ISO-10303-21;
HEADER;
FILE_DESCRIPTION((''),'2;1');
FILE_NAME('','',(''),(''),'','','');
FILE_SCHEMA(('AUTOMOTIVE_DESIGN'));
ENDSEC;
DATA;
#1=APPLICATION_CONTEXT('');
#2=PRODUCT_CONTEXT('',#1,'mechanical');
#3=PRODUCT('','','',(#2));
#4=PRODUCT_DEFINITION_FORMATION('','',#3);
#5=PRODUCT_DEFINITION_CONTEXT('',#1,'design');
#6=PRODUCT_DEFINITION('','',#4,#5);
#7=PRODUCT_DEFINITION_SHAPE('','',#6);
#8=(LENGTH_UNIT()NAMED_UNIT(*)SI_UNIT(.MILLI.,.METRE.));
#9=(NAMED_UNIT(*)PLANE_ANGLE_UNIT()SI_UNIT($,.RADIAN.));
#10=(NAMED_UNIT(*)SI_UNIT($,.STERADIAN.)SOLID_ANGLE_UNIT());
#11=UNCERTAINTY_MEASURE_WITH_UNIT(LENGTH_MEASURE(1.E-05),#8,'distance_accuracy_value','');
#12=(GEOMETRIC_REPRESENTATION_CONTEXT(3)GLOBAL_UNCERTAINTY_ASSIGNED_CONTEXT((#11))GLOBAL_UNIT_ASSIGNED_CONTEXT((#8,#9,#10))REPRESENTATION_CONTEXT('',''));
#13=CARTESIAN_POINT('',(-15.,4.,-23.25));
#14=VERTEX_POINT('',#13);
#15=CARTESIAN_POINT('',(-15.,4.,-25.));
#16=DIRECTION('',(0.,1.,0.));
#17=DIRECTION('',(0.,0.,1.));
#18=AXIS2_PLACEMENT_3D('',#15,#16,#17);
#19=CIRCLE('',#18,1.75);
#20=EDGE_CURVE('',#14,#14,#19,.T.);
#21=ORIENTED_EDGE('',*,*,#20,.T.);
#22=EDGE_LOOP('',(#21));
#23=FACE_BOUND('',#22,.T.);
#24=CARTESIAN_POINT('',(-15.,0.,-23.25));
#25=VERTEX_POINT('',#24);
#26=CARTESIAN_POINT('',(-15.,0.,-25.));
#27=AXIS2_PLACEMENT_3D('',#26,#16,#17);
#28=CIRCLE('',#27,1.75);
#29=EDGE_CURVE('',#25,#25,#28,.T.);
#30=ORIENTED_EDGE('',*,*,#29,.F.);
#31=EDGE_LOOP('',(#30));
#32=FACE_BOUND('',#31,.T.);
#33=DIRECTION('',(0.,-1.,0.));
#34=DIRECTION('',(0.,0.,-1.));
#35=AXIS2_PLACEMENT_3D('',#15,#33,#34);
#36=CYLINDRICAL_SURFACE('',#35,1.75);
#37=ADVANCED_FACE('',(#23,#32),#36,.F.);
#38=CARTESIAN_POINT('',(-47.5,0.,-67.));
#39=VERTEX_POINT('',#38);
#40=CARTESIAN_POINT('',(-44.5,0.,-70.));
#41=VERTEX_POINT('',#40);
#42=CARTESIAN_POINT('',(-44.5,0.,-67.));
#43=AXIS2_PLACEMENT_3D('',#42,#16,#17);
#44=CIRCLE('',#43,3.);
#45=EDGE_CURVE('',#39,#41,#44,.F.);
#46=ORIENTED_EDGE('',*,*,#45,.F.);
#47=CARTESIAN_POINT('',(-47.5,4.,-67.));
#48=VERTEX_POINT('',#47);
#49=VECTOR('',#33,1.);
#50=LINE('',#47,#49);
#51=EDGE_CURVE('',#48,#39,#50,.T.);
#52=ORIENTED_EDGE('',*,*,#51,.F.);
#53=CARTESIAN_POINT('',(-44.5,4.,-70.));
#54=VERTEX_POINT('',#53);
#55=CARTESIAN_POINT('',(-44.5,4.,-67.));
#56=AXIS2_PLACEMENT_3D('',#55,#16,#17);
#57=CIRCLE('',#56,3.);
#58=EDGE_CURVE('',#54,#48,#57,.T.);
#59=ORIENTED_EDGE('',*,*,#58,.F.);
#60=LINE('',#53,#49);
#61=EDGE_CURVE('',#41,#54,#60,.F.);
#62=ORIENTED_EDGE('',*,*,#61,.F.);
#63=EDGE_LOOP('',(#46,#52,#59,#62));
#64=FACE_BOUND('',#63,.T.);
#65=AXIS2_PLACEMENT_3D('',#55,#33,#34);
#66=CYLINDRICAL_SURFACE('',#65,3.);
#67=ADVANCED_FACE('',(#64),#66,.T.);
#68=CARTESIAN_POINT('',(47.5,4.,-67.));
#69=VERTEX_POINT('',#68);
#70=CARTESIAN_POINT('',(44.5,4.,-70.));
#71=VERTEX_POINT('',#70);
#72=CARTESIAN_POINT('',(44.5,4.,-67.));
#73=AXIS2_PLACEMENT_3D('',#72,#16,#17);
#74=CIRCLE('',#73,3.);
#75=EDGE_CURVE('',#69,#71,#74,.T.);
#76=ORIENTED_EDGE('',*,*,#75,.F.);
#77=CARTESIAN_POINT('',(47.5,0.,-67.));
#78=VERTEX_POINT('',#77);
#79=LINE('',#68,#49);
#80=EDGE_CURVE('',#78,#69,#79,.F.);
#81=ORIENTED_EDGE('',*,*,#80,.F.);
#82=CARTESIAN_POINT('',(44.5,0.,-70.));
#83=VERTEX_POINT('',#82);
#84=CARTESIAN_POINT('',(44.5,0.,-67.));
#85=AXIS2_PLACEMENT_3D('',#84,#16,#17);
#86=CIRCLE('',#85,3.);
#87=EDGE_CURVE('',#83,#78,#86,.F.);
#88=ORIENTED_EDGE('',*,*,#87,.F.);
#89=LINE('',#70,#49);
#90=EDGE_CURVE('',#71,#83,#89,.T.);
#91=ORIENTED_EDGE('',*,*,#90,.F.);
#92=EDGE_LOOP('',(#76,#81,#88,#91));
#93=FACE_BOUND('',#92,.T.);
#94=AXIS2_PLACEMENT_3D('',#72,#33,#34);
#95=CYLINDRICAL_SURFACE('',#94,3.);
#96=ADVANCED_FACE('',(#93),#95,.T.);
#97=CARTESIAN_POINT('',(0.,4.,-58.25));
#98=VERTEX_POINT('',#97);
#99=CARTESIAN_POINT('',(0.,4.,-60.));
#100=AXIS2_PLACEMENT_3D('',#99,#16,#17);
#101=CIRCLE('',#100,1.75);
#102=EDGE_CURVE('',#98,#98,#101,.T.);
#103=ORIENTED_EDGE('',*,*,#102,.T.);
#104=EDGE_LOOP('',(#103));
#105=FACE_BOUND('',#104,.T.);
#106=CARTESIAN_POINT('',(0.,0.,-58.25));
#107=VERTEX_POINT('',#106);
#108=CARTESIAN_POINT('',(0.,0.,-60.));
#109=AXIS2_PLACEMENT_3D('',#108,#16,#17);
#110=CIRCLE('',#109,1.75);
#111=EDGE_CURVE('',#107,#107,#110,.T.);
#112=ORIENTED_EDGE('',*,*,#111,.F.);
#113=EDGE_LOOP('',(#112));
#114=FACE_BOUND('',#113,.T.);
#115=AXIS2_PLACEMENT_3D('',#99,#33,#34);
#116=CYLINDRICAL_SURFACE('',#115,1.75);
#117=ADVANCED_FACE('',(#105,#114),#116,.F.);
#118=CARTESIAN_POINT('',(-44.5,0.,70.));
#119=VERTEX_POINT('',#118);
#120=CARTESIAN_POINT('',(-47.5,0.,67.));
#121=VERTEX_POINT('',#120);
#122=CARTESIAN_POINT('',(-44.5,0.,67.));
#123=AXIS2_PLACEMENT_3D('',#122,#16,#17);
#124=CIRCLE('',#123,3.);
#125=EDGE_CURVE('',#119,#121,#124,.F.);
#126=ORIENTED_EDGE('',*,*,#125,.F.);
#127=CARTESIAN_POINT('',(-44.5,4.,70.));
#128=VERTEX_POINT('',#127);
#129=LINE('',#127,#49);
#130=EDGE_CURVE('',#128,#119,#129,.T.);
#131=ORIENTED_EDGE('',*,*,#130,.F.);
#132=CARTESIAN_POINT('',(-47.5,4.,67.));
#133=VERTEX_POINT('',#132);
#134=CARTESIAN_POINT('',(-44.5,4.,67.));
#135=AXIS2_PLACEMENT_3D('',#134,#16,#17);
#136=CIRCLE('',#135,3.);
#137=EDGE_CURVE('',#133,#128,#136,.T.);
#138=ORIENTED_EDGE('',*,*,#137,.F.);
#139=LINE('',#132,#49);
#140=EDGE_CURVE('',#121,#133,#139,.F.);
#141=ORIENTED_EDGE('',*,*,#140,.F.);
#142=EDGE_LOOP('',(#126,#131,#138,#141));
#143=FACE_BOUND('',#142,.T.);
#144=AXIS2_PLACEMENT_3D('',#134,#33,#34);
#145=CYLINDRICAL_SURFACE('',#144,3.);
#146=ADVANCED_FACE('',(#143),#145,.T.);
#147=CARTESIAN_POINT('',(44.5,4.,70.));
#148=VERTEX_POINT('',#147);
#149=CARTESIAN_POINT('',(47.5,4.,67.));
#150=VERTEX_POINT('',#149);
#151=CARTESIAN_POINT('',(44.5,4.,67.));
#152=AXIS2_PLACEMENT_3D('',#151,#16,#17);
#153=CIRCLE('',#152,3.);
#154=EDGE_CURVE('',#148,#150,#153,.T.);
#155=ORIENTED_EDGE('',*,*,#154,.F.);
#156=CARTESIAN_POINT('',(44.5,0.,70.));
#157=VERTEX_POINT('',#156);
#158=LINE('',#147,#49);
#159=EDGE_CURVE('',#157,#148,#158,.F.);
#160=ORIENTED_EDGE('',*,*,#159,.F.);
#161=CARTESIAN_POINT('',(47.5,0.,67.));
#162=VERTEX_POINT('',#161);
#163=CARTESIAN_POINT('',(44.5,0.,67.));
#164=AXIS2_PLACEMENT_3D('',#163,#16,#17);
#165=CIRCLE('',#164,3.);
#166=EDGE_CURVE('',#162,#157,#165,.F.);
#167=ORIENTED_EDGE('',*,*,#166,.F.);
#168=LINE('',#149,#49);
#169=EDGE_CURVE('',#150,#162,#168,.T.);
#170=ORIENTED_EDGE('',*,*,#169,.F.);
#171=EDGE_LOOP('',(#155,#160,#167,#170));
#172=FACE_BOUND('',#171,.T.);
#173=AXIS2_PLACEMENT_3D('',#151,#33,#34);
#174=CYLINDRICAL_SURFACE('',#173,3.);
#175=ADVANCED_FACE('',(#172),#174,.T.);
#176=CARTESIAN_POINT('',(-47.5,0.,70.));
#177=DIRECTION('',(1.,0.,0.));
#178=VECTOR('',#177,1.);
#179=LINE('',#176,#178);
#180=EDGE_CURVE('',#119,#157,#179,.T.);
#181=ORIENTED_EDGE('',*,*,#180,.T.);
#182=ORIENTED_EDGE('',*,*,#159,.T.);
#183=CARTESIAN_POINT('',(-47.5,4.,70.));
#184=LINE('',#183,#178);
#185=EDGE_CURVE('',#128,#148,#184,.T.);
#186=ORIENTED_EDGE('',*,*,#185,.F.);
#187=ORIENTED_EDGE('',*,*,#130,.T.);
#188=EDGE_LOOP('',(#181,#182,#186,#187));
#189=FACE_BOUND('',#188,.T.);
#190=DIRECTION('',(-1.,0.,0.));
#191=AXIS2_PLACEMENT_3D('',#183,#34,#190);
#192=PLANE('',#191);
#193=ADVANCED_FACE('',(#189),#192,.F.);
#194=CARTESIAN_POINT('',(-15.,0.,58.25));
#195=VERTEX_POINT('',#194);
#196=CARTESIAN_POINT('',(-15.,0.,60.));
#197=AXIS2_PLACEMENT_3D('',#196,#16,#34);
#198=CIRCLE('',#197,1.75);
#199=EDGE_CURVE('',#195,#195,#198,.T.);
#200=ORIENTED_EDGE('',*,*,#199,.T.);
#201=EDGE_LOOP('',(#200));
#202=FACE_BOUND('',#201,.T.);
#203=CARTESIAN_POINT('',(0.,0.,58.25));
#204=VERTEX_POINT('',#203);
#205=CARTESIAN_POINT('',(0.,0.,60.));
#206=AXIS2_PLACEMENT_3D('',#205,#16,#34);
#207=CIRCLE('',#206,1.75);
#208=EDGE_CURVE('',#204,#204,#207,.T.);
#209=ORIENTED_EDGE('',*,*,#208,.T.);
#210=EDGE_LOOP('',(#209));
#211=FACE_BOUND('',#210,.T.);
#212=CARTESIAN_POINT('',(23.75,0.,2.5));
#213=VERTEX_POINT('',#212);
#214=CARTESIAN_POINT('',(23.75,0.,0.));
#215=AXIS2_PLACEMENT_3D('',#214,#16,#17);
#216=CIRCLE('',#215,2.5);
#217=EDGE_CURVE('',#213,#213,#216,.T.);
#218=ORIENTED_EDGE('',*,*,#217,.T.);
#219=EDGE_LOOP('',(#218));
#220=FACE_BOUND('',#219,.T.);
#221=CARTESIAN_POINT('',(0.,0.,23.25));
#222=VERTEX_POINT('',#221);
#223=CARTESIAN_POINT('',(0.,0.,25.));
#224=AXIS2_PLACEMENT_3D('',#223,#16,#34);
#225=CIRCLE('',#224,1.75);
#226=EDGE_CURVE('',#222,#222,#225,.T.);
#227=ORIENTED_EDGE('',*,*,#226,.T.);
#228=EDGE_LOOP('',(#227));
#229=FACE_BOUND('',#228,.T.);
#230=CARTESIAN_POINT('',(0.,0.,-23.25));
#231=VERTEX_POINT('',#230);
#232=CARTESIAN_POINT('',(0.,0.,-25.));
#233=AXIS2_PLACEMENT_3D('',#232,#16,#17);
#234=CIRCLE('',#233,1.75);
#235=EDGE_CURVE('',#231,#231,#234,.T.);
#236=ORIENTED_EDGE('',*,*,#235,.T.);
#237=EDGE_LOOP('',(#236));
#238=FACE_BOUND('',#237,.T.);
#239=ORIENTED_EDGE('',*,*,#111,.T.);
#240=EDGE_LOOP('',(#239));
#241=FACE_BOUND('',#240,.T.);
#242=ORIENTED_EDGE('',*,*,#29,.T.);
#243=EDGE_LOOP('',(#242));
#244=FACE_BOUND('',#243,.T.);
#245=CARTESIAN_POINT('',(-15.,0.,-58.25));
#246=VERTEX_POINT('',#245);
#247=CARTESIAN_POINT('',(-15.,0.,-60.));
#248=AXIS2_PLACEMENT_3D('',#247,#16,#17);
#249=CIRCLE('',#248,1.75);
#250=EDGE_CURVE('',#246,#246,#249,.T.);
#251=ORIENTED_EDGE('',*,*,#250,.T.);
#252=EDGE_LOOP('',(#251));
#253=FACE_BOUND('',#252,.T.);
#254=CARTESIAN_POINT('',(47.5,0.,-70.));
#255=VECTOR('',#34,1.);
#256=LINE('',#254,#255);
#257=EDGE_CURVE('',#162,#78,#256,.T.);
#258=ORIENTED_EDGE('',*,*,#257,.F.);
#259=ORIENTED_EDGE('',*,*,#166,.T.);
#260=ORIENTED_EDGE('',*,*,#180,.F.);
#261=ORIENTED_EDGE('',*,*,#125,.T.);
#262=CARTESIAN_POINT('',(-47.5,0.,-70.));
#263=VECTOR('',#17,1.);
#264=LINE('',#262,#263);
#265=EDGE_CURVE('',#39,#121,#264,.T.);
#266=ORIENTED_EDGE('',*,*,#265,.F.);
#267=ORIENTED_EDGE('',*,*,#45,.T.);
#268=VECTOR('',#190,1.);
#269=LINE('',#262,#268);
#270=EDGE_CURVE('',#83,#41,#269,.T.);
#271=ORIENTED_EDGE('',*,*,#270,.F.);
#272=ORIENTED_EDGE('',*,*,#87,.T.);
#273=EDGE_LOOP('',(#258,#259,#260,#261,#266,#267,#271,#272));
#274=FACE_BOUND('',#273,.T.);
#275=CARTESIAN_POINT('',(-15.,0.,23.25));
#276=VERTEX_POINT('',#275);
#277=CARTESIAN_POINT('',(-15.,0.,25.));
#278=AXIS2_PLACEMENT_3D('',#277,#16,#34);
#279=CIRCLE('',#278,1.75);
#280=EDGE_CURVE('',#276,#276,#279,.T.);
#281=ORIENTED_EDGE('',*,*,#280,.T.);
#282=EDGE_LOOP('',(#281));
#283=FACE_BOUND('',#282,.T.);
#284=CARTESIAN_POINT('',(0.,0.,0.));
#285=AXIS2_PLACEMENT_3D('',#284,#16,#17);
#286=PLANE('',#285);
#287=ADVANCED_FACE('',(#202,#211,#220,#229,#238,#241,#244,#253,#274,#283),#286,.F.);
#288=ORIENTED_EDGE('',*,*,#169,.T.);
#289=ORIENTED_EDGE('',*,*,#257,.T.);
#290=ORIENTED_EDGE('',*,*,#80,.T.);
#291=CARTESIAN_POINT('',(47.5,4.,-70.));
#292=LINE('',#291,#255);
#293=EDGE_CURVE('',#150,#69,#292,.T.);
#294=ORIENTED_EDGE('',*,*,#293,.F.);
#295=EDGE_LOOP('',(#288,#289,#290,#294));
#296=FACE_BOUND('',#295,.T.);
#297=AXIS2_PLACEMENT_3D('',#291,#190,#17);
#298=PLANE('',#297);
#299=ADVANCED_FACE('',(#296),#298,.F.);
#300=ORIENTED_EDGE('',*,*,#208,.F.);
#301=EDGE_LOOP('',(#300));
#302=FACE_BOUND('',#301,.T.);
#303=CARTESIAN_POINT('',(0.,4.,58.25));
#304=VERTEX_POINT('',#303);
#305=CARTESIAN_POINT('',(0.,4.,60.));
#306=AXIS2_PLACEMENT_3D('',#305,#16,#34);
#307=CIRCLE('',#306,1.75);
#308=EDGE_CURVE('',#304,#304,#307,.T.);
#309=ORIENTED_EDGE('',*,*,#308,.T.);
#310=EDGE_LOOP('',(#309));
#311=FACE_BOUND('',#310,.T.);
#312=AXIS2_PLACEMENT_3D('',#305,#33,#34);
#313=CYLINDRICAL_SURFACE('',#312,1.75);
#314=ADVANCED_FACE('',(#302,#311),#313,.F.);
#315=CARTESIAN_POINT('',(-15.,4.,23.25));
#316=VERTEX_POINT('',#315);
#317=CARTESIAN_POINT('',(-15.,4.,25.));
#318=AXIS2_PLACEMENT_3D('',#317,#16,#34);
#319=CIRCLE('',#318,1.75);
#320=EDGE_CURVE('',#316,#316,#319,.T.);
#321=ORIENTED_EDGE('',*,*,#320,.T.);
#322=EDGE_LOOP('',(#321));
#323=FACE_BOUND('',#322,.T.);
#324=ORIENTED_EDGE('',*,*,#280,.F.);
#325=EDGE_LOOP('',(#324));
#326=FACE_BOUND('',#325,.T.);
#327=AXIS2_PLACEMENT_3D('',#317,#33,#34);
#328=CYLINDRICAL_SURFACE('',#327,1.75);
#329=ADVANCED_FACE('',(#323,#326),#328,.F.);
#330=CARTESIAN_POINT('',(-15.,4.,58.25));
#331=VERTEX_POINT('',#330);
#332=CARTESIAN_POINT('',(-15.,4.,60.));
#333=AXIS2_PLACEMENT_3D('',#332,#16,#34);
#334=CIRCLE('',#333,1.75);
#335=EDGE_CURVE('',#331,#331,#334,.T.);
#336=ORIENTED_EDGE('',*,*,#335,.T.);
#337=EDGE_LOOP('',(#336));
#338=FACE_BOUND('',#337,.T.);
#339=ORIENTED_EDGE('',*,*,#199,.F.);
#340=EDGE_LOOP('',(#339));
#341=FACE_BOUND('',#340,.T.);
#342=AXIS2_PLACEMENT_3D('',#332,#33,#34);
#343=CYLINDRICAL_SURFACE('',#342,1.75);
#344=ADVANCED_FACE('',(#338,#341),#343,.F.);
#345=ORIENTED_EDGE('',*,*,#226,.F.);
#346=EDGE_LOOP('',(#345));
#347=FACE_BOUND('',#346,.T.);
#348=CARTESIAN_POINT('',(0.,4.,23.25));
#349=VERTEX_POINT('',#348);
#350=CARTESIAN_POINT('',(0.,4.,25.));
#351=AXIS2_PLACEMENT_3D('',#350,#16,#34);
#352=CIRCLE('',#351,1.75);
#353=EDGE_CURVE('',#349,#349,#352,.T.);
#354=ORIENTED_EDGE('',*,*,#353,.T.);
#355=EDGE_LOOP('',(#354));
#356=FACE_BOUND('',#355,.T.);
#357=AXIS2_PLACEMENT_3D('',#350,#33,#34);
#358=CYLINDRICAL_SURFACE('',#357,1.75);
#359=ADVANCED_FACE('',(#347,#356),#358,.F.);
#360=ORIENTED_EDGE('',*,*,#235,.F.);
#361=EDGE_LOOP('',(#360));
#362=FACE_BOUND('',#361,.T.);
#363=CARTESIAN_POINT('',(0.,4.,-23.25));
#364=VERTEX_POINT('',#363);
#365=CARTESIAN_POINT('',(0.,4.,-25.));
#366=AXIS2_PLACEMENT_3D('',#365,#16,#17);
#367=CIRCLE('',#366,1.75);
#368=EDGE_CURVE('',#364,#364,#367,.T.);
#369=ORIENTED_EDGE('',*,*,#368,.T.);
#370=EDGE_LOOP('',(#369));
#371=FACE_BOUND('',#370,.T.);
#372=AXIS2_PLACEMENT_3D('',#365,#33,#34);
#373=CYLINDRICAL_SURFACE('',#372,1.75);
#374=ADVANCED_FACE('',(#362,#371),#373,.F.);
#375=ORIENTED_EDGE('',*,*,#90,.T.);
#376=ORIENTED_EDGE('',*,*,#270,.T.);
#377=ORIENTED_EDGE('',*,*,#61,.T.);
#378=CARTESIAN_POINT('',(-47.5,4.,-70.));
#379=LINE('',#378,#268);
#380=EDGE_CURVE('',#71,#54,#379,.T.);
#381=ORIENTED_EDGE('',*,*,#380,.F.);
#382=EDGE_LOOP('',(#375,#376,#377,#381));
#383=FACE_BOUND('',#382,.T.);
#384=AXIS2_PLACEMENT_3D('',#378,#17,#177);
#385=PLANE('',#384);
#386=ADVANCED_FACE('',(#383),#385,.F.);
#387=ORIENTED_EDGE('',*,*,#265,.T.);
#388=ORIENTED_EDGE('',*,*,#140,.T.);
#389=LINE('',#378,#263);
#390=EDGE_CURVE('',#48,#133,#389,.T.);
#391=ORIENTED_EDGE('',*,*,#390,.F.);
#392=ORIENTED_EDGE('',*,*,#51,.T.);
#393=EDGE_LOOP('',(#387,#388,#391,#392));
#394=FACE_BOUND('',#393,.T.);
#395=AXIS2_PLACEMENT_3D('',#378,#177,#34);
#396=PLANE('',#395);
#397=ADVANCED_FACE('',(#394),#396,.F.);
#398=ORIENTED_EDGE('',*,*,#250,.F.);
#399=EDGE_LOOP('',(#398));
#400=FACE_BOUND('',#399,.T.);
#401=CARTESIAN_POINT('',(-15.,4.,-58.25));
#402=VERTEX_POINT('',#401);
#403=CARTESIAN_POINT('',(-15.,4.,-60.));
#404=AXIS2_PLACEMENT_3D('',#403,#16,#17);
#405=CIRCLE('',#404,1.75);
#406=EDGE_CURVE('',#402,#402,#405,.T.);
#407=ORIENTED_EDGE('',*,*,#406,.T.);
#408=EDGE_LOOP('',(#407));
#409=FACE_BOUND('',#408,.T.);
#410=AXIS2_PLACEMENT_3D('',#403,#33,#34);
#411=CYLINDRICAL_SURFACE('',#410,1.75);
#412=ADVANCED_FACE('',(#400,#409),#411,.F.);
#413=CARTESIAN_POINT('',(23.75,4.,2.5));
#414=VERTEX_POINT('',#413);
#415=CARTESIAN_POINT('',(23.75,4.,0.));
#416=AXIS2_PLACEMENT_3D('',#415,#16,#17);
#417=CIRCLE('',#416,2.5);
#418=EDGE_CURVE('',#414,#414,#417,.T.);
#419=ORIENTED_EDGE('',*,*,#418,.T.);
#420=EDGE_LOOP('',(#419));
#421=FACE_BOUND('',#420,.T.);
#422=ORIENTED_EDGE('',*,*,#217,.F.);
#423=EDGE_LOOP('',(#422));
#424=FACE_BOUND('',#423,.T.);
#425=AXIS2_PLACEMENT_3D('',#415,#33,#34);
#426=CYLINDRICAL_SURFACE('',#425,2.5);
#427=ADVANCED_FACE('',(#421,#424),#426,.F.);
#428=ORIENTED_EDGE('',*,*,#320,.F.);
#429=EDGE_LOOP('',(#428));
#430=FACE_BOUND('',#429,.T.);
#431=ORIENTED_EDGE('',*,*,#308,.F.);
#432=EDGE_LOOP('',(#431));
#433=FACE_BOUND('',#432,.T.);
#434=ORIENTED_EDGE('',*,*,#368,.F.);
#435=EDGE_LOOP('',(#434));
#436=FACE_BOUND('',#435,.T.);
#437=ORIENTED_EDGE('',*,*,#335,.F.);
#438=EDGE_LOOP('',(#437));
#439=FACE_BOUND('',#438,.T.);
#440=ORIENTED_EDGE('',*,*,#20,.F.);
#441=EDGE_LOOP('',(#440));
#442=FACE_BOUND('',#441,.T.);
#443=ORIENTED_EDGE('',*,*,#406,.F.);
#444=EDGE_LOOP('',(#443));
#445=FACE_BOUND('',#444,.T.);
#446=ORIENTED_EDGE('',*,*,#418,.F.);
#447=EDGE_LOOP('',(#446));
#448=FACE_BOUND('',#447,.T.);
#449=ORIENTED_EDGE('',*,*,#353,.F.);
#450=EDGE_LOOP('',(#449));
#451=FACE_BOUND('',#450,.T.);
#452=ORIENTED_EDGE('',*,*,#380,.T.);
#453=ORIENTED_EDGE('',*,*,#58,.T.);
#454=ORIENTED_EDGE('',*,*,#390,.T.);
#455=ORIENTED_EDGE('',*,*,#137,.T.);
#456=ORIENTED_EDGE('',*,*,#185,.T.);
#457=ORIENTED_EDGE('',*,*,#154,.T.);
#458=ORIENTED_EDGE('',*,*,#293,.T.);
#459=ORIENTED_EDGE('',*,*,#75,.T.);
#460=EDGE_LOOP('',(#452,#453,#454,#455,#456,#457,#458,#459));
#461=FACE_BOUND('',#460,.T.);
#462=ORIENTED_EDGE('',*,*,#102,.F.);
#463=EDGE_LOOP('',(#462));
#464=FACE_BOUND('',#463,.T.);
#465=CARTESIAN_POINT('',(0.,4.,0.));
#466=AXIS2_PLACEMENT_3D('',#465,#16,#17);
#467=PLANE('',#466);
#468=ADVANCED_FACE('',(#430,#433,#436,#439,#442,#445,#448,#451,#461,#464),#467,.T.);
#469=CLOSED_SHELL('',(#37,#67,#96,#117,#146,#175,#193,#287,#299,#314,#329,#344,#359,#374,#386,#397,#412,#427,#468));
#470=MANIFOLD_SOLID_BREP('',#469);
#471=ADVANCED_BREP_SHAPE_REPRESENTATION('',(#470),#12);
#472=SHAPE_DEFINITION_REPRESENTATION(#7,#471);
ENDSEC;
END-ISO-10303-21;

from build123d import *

# Parameters (mm, degrees)
SKETCH1_W           = 95
SKETCH1_H           = 140
SKETCH1_R           = 1.75
SKETCH1_R_2         = 2.5
BOSS_EXTRUDE1_DEPTH = 4
FILLET1_R           = 3


with BuildPart() as part:
    # Sketch1 → Boss-Extrude1 (new body)
    with BuildSketch(Plane(origin=(0, 0, 0), x_dir=(1, 0, 0), z_dir=(0, 1, 0))):
        Rectangle(SKETCH1_W, SKETCH1_H)
        with Locations(Location((0, 60, 0), (0, 0, 270))):
            Circle(SKETCH1_R, mode=Mode.SUBTRACT)
        with Locations(Location((0, 25, 0), (0, 0, 270))):
            Circle(SKETCH1_R, mode=Mode.SUBTRACT)
        with Locations(Location((0, -25, 0), (0, 0, 90))):
            Circle(SKETCH1_R, mode=Mode.SUBTRACT)
        with Locations(Location((0, -60, 0), (0, 0, 90))):
            Circle(SKETCH1_R, mode=Mode.SUBTRACT)
        with Locations(Location((-15, 60, 0), (0, 0, 270))):
            Circle(SKETCH1_R, mode=Mode.SUBTRACT)
        with Locations(Location((-15, 25, 0), (0, 0, 270))):
            Circle(SKETCH1_R, mode=Mode.SUBTRACT)
        with Locations(Location((-15, -25, 0), (0, 0, 90))):
            Circle(SKETCH1_R, mode=Mode.SUBTRACT)
        with Locations(Location((-15, -60, 0), (0, 0, 90))):
            Circle(SKETCH1_R, mode=Mode.SUBTRACT)
        with Locations(Location((23.75, 0, 0), (0, 0, 270))):
            Circle(SKETCH1_R_2, mode=Mode.SUBTRACT)
    extrude(amount=BOSS_EXTRUDE1_DEPTH)

    # Fillet1
    fillet1_edges = [part.edges().sort_by_distance(p)[0] for p in [
        (47.5, 2, 70),
        (-47.5, 2, 70),
        (-47.5, 2, -70),
        (47.5, 2, -70),
    ]]
    fillet(fillet1_edges, radius=FILLET1_R)


solid = part.part
